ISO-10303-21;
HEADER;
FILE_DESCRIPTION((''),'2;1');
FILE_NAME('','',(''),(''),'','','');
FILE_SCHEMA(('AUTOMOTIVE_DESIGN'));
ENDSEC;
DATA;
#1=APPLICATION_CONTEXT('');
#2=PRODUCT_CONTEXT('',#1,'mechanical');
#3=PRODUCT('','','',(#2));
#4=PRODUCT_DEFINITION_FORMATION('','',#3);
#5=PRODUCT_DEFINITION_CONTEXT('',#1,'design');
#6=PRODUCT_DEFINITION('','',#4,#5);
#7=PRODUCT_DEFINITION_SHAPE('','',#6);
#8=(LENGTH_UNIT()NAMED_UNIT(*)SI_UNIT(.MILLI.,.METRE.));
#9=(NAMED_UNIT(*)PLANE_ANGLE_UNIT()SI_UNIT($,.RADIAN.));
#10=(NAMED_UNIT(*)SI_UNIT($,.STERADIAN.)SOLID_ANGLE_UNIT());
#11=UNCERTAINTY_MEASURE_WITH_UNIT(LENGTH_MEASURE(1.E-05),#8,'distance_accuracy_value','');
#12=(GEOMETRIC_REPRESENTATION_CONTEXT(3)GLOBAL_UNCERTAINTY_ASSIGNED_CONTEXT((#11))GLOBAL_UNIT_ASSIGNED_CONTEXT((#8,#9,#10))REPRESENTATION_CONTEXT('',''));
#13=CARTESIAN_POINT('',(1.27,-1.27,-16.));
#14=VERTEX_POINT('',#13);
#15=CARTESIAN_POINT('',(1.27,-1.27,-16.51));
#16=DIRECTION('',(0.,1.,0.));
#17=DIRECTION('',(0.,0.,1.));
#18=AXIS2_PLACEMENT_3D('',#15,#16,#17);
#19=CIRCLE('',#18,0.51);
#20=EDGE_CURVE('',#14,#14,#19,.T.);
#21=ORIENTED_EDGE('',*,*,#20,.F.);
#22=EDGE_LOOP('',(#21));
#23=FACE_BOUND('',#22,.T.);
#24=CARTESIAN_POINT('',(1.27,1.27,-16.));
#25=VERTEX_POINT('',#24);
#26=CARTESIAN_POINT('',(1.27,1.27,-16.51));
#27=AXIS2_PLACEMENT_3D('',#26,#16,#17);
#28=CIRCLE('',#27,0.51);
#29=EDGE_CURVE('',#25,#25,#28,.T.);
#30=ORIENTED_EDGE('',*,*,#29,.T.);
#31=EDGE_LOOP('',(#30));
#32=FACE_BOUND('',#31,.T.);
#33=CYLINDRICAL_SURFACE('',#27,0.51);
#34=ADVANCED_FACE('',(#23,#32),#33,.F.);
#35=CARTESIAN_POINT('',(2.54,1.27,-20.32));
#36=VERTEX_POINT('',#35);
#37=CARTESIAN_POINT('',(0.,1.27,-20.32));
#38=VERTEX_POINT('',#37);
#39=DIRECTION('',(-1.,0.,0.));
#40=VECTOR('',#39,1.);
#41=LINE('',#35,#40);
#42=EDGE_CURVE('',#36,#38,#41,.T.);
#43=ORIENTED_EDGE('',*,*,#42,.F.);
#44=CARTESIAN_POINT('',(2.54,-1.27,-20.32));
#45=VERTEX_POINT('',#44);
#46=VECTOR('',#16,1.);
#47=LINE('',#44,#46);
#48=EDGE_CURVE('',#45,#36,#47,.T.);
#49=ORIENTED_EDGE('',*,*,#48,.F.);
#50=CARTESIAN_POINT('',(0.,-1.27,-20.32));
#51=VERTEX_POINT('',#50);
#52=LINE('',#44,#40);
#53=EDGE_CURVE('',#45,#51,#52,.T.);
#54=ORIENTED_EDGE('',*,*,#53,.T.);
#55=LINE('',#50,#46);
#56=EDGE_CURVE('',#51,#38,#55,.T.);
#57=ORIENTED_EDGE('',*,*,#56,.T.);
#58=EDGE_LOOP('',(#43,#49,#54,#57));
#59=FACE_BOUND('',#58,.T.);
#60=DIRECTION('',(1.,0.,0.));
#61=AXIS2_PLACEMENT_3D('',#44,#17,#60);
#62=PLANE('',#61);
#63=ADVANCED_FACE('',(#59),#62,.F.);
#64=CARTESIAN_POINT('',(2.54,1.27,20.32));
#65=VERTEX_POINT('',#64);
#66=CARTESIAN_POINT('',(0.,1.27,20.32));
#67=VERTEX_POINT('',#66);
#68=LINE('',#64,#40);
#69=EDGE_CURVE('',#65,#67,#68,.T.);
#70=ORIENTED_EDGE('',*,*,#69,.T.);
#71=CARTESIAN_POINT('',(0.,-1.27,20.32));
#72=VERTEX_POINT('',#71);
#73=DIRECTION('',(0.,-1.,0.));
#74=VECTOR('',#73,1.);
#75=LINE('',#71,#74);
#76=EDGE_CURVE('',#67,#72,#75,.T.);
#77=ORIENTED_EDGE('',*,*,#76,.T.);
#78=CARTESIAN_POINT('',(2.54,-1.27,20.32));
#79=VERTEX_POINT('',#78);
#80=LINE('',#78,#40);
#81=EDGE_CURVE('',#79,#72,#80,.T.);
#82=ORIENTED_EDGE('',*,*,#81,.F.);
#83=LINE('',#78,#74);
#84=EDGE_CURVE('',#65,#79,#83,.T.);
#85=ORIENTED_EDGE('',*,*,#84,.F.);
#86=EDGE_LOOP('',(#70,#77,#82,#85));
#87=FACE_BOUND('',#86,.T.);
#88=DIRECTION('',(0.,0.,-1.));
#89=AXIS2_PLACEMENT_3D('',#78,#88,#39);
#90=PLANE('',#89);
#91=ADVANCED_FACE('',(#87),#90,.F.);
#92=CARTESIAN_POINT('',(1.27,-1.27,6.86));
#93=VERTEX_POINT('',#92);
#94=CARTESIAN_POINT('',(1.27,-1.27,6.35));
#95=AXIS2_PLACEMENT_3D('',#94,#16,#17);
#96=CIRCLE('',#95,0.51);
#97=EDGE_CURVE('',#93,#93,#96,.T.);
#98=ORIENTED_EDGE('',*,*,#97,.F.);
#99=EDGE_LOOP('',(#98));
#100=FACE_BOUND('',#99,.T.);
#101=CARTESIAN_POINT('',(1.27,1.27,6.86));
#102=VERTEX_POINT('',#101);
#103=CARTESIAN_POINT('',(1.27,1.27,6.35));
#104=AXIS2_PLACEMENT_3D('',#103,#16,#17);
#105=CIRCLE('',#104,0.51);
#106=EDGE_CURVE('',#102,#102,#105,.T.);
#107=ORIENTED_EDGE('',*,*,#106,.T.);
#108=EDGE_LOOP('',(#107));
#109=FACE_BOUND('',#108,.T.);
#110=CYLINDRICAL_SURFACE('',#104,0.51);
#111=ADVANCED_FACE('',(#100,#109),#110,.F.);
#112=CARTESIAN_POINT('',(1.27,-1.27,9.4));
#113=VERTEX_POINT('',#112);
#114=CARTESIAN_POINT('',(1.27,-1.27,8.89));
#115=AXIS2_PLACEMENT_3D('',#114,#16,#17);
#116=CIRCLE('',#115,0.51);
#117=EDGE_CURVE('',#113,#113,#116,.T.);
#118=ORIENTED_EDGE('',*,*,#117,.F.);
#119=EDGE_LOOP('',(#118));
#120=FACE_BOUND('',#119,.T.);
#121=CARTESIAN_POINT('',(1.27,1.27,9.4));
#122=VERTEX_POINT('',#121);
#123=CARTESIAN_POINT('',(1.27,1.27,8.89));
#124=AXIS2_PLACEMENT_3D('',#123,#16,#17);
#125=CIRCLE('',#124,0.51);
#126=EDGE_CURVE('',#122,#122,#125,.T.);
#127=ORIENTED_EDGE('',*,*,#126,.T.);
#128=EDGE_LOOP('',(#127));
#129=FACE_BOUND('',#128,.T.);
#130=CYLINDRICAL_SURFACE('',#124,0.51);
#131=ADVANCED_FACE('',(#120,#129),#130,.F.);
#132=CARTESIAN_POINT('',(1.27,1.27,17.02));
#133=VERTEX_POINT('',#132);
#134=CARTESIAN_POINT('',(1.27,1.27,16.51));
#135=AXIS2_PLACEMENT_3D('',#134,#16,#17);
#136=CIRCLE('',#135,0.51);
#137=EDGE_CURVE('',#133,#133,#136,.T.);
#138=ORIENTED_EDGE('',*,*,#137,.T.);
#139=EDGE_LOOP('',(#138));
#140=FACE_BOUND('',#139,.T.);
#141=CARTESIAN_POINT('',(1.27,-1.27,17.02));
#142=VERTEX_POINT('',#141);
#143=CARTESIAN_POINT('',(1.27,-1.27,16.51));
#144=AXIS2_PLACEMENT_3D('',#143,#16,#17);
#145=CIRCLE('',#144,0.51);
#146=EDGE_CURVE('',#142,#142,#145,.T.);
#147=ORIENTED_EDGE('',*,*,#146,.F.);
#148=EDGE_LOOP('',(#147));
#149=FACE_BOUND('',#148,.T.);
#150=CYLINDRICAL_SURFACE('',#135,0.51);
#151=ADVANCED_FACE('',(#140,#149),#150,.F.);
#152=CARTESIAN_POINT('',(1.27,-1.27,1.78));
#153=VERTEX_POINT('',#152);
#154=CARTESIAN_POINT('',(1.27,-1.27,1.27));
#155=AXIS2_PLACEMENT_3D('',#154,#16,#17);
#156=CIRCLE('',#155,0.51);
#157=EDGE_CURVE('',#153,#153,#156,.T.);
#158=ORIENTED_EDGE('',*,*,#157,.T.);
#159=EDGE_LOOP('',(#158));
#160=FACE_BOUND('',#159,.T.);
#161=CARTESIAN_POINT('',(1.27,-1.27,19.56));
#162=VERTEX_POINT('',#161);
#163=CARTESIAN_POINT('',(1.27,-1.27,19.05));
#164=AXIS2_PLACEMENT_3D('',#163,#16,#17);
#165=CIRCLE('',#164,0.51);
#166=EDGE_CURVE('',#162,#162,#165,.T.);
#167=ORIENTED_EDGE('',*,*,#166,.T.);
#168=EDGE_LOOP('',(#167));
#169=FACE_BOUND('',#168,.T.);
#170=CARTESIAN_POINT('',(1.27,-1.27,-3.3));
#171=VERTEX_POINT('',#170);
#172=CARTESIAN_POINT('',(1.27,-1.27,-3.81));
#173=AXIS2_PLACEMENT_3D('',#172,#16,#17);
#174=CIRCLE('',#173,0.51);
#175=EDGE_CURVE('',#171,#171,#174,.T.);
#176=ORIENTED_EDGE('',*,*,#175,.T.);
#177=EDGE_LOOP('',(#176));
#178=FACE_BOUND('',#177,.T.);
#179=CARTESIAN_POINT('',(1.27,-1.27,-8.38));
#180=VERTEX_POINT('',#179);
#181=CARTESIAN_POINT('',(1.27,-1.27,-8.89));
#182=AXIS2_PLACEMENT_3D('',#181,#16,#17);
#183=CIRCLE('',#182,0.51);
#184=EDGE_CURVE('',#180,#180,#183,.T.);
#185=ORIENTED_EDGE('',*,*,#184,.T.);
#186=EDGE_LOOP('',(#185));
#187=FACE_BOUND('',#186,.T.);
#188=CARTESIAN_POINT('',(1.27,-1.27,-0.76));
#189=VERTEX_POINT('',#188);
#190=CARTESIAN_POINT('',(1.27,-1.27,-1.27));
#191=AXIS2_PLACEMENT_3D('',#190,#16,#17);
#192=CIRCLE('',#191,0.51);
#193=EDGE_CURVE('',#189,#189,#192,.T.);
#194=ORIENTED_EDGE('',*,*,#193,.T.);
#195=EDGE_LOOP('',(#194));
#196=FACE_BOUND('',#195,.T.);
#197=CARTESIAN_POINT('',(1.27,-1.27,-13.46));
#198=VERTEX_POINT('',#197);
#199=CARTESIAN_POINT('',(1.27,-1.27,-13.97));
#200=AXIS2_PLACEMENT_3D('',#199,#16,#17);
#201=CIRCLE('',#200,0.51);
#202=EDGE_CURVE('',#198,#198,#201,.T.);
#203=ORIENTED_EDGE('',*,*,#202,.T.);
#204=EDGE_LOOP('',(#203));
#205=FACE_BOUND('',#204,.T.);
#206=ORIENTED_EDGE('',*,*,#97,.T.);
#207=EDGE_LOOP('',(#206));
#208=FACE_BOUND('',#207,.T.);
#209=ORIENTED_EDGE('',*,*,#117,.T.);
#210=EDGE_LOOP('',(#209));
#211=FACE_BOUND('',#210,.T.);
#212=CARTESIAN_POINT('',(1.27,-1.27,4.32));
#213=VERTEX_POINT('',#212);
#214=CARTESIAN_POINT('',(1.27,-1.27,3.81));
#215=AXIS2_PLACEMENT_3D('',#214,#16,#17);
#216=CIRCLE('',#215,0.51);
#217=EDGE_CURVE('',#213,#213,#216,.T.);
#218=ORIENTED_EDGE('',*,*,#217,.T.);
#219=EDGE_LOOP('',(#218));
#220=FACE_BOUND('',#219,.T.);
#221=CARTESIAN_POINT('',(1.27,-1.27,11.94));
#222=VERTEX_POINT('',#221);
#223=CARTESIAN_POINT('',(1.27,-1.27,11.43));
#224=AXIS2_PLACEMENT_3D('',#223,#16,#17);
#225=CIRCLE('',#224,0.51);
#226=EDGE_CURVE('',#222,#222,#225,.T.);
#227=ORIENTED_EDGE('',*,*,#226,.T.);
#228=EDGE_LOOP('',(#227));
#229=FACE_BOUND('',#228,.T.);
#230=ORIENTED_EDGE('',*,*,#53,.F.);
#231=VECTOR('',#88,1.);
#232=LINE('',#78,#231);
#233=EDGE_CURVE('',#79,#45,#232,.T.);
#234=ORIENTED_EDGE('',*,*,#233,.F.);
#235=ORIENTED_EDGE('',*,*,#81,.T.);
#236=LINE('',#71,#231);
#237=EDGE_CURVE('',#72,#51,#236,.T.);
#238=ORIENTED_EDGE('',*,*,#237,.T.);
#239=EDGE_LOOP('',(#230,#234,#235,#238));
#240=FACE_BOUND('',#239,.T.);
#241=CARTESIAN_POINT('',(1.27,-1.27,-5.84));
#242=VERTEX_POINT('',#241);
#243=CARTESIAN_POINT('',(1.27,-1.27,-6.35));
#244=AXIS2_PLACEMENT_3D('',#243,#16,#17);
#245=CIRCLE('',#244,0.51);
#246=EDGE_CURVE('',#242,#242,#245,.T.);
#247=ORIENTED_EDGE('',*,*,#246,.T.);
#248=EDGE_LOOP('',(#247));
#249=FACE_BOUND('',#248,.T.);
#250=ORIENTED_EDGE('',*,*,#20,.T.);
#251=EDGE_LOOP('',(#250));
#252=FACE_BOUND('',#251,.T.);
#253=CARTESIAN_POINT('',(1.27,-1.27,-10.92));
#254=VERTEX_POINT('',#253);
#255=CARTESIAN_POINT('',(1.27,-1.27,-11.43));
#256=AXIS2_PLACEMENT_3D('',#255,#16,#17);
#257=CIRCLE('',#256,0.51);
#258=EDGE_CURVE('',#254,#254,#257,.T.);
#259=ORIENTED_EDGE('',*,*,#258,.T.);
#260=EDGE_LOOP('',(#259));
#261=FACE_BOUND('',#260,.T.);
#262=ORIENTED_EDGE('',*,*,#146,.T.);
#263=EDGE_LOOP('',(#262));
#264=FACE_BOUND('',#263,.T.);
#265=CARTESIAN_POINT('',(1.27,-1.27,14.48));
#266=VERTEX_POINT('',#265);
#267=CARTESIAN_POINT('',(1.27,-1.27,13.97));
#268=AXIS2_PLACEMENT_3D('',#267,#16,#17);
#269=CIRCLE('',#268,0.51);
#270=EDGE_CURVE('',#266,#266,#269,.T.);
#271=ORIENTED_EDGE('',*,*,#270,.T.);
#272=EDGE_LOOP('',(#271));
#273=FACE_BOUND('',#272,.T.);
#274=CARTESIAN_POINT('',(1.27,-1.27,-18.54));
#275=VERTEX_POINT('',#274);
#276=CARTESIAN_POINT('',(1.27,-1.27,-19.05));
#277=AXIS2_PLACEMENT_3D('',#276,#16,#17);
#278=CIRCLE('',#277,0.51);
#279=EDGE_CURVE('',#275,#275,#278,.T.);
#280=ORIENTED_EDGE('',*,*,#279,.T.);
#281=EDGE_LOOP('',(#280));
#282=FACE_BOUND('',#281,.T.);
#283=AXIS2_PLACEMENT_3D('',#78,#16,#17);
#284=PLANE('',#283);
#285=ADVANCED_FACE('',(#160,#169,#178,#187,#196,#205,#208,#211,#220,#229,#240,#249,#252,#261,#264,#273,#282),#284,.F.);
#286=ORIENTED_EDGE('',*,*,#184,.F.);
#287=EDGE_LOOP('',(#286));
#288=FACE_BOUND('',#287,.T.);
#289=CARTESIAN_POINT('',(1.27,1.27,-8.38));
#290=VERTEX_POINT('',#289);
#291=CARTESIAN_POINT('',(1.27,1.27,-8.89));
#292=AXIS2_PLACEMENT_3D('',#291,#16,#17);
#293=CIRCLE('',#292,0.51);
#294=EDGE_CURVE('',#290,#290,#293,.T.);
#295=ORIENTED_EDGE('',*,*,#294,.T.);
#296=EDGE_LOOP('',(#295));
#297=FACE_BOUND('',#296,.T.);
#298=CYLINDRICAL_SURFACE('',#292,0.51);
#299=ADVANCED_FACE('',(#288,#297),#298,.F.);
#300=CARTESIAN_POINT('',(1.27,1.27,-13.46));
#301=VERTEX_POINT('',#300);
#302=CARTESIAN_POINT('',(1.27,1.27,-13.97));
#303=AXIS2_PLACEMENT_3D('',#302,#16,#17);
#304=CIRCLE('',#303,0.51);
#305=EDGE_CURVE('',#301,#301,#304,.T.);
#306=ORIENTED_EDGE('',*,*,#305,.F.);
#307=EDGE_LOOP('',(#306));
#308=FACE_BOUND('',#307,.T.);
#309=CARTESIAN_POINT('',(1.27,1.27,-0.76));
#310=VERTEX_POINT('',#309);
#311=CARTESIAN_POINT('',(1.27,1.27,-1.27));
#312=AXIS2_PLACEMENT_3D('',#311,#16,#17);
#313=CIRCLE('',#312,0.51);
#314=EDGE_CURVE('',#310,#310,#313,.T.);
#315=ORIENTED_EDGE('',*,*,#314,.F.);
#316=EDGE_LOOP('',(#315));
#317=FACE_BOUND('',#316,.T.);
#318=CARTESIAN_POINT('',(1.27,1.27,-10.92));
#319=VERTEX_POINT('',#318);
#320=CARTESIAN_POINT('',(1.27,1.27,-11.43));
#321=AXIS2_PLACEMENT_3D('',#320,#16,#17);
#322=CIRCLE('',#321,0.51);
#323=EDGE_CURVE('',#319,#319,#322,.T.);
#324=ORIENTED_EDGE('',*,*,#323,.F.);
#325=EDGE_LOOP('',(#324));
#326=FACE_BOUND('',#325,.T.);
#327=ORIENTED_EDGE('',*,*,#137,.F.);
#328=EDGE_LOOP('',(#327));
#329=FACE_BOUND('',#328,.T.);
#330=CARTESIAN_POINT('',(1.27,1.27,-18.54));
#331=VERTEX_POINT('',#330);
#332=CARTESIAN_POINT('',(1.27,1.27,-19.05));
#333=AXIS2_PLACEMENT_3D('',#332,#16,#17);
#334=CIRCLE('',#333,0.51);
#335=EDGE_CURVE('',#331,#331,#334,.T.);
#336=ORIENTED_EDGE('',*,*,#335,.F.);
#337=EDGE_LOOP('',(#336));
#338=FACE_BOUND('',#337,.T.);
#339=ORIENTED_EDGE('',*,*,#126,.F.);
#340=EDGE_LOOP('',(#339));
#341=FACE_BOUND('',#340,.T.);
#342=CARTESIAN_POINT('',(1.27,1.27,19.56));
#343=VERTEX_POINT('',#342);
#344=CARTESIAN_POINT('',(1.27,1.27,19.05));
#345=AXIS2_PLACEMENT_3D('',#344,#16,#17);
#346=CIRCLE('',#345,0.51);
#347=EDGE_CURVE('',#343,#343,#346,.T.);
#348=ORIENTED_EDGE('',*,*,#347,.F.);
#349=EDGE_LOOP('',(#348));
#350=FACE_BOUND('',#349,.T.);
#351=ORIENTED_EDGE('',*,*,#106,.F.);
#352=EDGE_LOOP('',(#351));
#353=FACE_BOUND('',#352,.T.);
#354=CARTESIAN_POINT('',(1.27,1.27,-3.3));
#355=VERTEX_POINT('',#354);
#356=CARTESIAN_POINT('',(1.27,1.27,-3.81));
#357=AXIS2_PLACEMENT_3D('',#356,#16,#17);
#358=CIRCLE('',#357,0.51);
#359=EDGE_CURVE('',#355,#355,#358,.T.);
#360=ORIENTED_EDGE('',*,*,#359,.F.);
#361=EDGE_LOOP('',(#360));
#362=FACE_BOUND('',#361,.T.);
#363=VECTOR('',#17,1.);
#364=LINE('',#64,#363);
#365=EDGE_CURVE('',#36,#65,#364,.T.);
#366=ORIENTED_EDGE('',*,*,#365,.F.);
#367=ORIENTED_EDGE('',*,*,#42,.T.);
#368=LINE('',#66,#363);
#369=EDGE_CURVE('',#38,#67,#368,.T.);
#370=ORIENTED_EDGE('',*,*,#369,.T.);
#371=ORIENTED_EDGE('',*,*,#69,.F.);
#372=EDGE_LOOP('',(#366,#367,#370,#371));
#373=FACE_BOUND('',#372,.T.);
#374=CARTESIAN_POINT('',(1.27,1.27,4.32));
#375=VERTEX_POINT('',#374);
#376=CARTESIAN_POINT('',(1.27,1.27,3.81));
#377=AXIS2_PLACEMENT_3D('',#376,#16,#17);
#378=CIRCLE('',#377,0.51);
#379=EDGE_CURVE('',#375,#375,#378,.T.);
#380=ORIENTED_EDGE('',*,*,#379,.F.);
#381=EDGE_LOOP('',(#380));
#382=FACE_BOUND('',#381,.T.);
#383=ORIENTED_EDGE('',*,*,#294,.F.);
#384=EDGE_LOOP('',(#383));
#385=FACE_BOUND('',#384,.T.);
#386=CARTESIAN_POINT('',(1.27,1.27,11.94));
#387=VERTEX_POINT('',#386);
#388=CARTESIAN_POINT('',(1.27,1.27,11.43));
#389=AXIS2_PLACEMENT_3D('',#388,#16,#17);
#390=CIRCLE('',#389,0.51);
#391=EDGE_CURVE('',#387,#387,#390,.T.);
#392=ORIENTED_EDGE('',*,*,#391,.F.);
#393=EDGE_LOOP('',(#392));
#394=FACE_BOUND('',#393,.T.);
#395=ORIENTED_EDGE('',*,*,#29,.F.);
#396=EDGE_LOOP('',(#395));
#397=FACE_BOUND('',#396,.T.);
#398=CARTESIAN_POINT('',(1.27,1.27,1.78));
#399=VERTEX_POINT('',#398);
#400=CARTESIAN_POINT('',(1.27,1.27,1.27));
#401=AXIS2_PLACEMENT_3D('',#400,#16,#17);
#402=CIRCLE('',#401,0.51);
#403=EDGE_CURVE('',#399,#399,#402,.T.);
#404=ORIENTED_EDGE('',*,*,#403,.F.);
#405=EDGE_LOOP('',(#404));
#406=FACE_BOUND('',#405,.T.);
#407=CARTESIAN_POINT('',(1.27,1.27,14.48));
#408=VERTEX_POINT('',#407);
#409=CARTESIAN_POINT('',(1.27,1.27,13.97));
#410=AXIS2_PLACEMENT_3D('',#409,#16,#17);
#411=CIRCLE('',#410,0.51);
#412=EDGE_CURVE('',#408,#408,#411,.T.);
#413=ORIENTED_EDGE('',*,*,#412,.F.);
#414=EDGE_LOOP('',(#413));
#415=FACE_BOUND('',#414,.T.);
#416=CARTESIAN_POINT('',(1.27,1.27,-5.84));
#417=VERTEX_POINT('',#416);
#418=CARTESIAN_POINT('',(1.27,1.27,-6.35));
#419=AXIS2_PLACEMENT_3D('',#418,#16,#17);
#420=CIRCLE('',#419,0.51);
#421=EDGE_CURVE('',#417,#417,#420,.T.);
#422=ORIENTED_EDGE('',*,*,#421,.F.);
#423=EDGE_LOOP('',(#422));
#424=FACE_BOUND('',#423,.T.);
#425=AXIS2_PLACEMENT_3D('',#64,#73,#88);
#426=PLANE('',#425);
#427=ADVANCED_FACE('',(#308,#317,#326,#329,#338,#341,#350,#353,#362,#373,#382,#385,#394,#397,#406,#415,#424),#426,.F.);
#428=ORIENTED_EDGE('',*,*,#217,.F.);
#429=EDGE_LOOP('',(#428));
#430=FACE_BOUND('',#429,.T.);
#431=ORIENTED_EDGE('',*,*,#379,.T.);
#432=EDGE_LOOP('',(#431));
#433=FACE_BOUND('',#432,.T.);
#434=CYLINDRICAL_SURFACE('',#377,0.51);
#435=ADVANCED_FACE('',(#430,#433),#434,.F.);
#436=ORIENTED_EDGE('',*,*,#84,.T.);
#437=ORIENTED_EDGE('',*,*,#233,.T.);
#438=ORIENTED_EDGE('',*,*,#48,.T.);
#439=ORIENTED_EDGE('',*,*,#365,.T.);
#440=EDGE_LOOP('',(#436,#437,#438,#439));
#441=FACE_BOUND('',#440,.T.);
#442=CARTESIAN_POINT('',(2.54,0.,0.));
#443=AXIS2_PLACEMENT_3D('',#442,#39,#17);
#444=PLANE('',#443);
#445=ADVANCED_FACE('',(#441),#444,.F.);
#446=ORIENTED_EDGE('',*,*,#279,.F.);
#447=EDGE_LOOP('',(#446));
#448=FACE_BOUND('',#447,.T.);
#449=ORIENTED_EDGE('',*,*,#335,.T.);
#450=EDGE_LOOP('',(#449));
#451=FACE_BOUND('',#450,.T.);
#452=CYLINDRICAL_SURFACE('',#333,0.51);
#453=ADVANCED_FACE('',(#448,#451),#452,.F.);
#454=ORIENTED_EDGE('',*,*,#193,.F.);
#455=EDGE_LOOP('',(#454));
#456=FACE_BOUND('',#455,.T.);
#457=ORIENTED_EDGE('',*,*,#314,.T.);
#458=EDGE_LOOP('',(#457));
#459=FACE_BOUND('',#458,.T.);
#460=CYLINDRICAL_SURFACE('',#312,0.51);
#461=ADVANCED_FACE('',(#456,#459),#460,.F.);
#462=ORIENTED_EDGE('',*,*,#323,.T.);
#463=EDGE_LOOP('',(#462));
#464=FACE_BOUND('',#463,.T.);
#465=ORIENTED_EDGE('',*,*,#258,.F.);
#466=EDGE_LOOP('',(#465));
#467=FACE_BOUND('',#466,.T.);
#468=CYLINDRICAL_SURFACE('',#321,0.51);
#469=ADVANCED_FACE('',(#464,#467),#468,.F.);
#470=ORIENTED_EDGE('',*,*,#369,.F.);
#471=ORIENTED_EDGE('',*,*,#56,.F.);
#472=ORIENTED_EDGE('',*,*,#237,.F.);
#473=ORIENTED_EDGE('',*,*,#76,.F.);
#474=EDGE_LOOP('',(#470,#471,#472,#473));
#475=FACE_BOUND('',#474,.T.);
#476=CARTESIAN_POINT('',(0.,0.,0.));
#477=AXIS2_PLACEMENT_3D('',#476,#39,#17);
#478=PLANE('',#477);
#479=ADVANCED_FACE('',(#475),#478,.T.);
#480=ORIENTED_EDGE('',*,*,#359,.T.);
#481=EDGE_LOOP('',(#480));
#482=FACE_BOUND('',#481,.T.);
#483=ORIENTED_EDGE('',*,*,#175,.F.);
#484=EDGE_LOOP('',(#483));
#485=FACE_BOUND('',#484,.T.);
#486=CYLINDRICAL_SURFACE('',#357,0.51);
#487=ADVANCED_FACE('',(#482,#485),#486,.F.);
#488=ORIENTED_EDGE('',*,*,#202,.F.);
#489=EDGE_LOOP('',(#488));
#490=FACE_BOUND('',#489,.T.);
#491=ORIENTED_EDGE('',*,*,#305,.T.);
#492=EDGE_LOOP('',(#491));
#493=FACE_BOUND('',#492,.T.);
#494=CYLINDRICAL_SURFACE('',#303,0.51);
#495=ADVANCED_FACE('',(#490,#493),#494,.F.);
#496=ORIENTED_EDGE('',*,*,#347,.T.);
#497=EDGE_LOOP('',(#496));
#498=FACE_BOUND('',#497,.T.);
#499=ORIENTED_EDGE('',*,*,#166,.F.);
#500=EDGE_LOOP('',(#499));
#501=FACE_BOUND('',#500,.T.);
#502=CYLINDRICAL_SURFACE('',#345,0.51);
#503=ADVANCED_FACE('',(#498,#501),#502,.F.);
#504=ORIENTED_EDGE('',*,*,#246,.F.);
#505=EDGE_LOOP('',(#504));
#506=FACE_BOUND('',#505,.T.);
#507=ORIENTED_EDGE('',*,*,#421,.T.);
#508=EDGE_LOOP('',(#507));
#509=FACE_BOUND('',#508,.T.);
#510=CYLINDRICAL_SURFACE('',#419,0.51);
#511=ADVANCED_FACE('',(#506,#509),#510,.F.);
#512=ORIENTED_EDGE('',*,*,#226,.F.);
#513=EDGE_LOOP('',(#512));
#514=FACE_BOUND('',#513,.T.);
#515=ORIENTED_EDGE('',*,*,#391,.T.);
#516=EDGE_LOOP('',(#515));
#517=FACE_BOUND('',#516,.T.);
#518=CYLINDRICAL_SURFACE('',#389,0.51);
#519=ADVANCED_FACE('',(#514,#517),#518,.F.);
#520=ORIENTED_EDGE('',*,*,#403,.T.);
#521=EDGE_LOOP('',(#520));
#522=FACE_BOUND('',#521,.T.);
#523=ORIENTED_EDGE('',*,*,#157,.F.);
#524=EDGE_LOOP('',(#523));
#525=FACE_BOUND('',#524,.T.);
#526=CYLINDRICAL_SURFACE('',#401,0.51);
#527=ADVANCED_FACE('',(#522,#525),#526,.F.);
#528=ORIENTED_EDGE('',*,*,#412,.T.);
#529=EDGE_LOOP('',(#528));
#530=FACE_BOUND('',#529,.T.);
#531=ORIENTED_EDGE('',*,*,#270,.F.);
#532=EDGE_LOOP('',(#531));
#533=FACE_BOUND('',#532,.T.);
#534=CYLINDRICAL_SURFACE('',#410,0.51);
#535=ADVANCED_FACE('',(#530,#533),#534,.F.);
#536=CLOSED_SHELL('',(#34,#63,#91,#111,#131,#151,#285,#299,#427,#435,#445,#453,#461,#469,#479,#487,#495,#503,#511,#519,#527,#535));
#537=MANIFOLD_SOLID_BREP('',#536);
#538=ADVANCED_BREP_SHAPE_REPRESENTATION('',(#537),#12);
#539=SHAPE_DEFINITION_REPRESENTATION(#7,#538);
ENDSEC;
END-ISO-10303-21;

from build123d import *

# Parameters (mm, degrees)
SKETCH1_W             = 40.64
SKETCH1_H             = 2.54
BOSS_EXTRUDE1_DEPTH   = 2.54
F_1_0MM_DOWEL_HOLE1_D = 1.02
LPATTERN1_COUNT       = 16
LPATTERN1_PITCH       = 2.54


with BuildPart() as part:
    # Sketch1 → Boss-Extrude1 (new body)
    with BuildSketch(Plane(origin=(0, 0, 0), x_dir=(0, 0, -1), z_dir=(1, 0, 0))):
        Rectangle(SKETCH1_W, SKETCH1_H)
    extrude(amount=BOSS_EXTRUDE1_DEPTH)

    # Ø1.0mm Dowel Hole1 (through all)
    with Locations(Plane(origin=(1.27, 1.27, 19.05), x_dir=(0, 0, 1), z_dir=(0, 1, 0))):
        with Locations((0, 0)):
            f_1_0mm_dowel_hole1 = Hole(F_1_0MM_DOWEL_HOLE1_D / 2)

    # LPattern1: Ø1.0mm Dowel Hole1 ×16
    with Locations(*[(0, 0, -i * LPATTERN1_PITCH) for i in range(1, LPATTERN1_COUNT)]):
        add(f_1_0mm_dowel_hole1, mode=Mode.SUBTRACT)


solid = part.part
